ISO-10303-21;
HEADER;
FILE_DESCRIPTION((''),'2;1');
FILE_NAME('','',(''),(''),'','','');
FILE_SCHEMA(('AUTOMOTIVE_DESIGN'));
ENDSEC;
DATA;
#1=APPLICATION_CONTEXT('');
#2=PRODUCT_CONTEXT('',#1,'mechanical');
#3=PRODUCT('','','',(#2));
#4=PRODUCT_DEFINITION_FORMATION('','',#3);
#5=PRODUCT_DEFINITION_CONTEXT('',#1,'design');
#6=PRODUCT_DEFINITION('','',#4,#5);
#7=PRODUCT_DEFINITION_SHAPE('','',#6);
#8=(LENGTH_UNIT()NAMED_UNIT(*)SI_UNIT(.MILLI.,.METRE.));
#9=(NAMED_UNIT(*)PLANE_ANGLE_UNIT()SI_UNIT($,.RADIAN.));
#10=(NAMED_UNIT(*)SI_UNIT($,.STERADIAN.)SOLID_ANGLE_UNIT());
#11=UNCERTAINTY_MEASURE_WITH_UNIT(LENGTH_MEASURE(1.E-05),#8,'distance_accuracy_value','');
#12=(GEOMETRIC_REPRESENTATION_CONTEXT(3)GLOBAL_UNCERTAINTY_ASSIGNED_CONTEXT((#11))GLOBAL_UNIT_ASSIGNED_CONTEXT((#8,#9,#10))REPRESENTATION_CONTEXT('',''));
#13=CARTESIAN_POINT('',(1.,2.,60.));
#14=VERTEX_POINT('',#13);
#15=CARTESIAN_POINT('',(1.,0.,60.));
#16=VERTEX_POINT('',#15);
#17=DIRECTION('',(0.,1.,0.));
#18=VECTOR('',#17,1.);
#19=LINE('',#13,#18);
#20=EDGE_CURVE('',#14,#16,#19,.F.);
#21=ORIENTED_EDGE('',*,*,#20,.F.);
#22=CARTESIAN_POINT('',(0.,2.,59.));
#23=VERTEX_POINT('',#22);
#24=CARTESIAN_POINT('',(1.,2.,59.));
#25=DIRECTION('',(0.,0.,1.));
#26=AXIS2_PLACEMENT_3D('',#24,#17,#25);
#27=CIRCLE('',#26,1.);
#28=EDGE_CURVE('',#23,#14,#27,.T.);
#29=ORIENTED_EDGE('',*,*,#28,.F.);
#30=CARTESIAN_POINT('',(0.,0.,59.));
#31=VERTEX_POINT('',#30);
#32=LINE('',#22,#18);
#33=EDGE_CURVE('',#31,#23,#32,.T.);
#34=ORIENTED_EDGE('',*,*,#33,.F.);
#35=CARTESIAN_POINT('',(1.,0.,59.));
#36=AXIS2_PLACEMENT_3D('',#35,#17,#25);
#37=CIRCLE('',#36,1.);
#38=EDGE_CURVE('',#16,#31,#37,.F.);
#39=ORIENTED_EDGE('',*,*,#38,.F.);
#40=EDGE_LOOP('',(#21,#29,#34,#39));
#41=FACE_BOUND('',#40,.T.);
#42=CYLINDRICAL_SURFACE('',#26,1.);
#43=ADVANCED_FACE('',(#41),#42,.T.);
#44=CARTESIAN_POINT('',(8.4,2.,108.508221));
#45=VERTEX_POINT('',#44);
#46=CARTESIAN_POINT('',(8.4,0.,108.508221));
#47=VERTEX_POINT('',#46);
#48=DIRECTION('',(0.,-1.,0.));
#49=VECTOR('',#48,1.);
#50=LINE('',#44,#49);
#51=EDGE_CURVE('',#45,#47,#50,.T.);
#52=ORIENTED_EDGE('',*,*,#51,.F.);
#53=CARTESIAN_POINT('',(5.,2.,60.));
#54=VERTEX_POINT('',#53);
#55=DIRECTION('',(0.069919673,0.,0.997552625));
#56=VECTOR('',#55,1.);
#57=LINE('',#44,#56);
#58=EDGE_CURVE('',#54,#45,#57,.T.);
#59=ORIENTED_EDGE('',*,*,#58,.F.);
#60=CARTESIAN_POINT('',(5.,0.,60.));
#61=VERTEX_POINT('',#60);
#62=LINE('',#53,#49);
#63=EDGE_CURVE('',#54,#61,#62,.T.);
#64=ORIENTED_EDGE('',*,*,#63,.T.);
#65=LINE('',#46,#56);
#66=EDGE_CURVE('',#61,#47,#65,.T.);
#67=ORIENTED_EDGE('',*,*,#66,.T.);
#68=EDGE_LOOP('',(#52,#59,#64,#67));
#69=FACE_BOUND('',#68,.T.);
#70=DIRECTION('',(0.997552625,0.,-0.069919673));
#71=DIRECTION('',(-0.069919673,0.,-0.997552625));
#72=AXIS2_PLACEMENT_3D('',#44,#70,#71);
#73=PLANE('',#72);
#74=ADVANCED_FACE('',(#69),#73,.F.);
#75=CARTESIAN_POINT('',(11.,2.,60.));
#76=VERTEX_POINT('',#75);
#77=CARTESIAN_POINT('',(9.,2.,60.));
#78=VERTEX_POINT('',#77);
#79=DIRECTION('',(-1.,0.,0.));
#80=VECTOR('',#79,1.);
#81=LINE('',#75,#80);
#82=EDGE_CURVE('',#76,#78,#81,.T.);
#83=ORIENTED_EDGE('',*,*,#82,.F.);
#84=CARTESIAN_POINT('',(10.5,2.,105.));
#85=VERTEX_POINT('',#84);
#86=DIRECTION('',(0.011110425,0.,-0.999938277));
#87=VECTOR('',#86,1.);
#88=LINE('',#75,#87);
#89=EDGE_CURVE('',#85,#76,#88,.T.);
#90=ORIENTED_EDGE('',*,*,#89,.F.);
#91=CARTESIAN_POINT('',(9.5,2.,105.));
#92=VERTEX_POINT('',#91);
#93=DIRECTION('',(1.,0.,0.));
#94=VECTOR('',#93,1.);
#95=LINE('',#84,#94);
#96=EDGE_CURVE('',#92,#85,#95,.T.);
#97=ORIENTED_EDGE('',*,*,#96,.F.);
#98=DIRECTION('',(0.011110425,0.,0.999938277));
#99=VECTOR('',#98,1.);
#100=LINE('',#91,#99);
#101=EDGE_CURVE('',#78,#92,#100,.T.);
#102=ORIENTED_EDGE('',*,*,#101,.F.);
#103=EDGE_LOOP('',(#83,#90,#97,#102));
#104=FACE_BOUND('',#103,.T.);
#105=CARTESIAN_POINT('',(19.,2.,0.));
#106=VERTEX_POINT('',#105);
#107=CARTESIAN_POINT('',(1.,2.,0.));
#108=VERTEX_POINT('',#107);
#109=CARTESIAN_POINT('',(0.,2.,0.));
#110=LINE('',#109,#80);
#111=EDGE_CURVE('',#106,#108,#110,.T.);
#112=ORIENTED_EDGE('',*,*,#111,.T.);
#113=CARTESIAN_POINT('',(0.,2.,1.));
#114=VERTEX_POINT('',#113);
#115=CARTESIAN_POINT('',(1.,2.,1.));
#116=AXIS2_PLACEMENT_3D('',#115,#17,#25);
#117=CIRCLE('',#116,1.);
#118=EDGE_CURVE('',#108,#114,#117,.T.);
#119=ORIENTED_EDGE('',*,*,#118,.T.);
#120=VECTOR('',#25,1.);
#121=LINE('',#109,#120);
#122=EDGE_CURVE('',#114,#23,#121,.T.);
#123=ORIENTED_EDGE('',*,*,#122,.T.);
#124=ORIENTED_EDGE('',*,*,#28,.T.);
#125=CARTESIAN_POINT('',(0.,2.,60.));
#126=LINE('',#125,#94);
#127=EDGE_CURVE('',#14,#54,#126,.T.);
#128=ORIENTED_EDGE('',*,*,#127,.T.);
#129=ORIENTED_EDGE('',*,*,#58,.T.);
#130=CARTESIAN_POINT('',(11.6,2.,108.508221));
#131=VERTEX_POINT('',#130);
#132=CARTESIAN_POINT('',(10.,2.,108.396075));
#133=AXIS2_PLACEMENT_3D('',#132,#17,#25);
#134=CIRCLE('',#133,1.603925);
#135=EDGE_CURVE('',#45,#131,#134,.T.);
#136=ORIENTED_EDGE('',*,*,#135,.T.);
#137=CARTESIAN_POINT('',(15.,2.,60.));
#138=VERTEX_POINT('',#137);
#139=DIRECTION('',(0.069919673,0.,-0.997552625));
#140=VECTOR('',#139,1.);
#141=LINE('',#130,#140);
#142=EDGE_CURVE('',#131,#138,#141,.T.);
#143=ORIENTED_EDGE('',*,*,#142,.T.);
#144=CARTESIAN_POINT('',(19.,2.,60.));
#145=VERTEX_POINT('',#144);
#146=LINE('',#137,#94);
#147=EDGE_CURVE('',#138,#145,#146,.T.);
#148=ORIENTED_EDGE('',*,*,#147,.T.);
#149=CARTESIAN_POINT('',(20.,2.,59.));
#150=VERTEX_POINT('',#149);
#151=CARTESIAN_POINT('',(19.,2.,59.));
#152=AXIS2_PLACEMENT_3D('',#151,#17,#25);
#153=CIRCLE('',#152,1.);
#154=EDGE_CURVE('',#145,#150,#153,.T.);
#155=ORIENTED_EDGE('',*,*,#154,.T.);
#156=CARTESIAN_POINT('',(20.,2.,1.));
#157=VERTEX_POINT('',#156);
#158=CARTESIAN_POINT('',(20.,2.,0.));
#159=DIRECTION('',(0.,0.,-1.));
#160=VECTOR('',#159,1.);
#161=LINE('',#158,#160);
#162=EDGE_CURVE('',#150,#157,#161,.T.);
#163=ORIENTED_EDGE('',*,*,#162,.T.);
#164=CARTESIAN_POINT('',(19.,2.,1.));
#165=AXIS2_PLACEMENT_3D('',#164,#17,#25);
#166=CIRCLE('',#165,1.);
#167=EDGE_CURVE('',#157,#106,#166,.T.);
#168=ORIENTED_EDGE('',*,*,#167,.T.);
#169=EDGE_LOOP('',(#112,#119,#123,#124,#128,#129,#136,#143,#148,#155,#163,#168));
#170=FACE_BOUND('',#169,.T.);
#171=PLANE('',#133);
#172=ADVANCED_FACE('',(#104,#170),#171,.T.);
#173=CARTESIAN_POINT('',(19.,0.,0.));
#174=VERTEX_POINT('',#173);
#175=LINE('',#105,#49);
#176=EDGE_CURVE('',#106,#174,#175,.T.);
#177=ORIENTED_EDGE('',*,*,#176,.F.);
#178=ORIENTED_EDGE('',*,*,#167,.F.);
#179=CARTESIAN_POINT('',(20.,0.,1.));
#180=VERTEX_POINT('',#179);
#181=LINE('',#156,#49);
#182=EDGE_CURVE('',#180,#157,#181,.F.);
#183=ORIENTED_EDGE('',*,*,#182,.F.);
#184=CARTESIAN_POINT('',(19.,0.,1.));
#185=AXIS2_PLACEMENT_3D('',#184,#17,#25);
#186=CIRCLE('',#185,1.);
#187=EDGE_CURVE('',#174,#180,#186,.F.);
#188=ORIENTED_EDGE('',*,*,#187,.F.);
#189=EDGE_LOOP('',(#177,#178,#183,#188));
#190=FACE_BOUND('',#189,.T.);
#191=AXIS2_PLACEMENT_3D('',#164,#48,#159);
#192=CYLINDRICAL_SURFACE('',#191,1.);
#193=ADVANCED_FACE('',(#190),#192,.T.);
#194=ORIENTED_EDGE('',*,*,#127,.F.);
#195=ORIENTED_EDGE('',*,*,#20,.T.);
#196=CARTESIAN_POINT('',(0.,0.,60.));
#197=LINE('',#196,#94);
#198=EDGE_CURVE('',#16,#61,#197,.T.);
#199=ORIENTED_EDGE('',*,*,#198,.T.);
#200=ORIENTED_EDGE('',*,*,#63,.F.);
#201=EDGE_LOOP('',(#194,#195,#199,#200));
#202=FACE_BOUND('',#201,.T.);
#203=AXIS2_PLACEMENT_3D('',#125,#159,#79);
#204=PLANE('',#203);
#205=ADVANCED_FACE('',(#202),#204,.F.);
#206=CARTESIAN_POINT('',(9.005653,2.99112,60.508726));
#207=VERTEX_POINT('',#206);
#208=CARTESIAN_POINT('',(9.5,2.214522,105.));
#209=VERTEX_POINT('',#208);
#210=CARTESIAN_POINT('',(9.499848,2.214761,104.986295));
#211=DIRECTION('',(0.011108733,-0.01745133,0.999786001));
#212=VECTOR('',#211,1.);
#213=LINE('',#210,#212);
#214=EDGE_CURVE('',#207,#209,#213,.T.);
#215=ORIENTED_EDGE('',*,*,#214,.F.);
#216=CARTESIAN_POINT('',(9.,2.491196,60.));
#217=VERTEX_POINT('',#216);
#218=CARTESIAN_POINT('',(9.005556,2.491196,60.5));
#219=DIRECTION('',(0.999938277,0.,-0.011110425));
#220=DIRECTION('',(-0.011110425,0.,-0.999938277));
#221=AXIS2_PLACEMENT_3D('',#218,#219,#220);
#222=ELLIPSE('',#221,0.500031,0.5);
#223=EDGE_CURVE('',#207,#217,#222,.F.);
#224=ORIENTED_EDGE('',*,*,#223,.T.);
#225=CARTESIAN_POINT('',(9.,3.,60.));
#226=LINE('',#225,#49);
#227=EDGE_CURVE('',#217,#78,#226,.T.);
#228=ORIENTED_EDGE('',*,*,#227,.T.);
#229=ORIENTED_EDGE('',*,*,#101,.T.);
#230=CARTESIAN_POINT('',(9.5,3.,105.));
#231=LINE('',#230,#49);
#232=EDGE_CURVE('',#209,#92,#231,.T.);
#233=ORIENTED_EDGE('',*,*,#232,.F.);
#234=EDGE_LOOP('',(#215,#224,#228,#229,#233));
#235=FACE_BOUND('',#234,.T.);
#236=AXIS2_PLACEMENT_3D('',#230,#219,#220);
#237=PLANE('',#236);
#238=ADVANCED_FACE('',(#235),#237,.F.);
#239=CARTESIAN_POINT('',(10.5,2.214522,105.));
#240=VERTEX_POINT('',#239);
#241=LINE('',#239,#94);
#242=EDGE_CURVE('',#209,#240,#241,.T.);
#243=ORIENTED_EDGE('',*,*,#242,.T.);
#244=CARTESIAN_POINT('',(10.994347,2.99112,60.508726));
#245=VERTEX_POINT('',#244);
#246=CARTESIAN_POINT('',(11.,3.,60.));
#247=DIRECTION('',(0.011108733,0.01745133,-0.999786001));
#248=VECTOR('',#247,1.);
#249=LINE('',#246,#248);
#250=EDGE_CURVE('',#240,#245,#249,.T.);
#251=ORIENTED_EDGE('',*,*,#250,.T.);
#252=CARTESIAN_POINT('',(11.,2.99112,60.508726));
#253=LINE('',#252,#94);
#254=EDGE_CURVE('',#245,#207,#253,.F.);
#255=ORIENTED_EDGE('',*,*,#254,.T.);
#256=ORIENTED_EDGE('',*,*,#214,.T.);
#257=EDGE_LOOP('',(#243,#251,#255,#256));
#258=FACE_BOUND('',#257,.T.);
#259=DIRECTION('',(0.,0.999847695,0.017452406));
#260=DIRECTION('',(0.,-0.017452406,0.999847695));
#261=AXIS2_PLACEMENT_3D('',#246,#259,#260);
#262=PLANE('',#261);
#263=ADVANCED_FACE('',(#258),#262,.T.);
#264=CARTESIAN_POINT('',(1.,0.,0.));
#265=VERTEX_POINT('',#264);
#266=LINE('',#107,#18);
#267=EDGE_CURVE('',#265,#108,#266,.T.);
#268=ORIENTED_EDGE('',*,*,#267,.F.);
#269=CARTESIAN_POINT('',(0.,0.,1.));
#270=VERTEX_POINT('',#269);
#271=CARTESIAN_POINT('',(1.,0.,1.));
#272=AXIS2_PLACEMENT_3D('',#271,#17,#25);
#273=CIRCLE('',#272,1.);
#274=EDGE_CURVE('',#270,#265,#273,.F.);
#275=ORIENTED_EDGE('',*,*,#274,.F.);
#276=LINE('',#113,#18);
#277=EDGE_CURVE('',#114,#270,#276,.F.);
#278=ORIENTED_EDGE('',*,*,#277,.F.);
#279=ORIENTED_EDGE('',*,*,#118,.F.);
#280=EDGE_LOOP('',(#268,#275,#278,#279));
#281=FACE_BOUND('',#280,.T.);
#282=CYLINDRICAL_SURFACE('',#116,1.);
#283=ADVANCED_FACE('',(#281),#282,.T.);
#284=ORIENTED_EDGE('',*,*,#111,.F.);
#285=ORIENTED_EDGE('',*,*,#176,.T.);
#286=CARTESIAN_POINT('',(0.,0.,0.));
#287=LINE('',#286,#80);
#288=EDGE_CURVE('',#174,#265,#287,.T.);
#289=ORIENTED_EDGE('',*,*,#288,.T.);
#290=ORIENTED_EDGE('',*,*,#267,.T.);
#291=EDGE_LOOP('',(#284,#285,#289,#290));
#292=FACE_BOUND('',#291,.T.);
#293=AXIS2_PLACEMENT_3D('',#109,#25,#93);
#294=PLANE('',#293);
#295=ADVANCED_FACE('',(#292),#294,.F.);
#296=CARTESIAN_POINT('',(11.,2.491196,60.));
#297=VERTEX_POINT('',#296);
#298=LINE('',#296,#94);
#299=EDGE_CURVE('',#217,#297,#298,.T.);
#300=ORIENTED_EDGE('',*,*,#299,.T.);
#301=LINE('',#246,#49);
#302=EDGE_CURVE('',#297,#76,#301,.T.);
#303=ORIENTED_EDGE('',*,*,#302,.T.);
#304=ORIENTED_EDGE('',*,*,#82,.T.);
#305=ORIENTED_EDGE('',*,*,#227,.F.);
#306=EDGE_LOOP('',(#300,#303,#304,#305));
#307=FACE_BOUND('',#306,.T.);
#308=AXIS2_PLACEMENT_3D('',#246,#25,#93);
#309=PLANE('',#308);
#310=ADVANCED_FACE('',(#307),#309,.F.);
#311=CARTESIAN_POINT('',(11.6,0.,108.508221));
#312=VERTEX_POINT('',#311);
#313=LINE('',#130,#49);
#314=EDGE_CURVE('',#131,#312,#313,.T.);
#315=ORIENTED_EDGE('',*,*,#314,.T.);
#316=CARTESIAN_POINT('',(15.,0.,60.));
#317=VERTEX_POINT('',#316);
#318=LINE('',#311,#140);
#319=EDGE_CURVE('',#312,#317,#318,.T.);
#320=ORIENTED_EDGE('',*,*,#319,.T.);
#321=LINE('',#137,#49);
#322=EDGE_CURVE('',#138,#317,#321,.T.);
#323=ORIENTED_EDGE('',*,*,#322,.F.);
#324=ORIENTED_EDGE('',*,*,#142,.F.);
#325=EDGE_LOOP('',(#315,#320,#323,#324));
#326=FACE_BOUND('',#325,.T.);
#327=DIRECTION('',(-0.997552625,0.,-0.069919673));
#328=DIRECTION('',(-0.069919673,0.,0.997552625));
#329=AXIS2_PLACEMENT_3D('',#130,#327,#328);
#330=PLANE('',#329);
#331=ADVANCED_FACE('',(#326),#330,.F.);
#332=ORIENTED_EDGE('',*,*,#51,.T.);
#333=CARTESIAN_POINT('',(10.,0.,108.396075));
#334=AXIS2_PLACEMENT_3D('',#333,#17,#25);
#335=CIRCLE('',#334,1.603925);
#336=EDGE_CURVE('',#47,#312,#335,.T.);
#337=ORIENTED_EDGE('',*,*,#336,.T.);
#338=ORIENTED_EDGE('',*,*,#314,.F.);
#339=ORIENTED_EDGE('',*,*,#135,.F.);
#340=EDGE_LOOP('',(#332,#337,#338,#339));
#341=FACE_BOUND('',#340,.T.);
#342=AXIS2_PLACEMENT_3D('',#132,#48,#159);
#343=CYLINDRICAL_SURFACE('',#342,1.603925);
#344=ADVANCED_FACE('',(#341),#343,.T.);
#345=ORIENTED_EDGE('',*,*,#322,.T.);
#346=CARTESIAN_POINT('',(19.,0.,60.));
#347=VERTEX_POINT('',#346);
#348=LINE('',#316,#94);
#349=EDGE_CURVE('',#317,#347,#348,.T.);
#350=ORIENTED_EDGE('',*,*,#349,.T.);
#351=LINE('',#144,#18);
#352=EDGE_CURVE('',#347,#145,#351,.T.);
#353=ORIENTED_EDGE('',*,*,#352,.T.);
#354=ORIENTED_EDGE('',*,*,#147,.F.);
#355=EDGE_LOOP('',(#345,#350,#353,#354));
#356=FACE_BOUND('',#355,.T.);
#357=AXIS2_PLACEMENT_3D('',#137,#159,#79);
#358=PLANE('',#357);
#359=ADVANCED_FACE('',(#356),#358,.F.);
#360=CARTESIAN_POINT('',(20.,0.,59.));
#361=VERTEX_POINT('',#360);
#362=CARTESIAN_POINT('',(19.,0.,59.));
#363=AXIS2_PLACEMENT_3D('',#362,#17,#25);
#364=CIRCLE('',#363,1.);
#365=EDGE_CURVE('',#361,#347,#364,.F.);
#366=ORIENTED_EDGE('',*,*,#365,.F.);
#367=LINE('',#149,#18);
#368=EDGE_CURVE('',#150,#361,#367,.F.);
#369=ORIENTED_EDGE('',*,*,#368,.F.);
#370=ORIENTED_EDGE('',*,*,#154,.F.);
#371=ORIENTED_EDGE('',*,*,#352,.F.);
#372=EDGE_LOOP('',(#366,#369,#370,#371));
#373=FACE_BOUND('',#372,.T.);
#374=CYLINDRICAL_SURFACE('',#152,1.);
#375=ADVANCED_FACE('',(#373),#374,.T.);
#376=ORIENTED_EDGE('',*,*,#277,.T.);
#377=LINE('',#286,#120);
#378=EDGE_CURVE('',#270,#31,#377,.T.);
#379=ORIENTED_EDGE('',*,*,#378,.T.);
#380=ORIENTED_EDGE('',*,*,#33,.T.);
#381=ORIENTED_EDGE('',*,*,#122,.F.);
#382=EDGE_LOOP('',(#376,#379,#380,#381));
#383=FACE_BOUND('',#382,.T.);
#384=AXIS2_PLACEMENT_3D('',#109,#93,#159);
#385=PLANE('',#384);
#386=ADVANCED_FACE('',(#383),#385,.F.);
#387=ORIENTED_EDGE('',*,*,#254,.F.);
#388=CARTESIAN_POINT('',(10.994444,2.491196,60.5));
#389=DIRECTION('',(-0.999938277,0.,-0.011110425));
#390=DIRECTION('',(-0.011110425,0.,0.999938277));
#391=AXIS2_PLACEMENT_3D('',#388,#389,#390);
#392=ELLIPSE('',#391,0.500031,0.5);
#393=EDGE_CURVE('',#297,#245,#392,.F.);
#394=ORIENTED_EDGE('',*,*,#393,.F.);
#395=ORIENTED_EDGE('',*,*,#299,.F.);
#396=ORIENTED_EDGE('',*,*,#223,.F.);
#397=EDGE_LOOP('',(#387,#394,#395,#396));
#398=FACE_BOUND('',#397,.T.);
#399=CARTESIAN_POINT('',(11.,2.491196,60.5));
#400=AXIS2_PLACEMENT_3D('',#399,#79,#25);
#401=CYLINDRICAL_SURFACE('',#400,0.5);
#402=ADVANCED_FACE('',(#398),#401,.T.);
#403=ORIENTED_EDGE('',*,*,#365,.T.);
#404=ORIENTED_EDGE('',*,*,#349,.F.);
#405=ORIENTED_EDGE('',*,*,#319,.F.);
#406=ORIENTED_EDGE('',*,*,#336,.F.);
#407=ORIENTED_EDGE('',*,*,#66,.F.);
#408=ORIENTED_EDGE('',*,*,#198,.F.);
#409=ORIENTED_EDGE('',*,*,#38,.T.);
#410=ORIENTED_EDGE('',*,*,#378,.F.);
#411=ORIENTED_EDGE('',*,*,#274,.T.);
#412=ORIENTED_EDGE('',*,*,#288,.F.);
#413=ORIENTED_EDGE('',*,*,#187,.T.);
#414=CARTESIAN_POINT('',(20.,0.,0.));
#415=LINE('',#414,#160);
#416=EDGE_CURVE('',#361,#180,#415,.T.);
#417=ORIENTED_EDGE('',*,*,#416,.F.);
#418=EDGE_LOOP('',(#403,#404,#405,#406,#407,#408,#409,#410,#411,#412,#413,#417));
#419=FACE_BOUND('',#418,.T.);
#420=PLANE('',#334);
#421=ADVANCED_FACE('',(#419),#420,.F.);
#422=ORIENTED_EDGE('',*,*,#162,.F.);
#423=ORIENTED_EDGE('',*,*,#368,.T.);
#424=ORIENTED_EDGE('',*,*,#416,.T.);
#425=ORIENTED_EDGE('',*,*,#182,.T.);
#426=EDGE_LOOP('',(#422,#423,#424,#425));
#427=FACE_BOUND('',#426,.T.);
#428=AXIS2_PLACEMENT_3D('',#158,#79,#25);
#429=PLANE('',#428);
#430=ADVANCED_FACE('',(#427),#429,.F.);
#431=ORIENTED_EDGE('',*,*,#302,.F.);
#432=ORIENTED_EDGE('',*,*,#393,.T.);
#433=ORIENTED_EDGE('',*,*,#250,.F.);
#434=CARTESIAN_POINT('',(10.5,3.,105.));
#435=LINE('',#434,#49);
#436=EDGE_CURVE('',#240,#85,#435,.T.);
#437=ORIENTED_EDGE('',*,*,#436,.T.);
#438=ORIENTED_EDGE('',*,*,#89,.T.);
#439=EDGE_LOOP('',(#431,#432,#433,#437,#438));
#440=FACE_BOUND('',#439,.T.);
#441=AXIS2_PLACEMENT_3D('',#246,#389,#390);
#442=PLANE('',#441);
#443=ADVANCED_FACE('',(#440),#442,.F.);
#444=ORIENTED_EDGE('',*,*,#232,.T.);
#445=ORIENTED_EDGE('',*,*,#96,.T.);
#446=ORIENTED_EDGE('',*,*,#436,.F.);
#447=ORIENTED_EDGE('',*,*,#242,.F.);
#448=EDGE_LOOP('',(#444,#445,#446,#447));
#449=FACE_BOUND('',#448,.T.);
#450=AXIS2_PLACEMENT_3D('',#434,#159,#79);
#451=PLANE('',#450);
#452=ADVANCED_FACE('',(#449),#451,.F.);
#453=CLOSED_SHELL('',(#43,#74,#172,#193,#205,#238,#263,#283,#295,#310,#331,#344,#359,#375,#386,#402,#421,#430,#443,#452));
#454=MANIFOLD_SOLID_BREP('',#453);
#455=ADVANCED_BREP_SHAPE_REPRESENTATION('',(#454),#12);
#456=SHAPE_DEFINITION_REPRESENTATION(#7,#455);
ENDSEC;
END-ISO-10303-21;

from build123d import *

# Parameters (mm, degrees)
BOSS_EXTRUDE1_DEPTH = 2
FILLET2_R           = 1
FILLET3_R           = 1
FILLET4_R           = 1
FILLET5_R           = 1
BOSS_EXTRUDE2_DEPTH = 1
DRAFT1_ANGLE        = -1
FILLET7_R           = 0.5


with BuildPart() as part:
    # Sketch1 → Boss-Extrude1 (new body)
    with BuildSketch(Plane(origin=(0, 0, 0), x_dir=(1, 0, 0), z_dir=(0, 1, 0))):
        with BuildLine():
            Line((0, 0), (20, 0))
            Line((20, 0), (20, -60))
            Line((20, -60), (15, -60))
            Line((15, -60), (11.6, -108.508220533))
            ThreePointArc((11.6, -108.508220533), (10, -110), (8.4, -108.508220533))
            Line((8.4, -108.508220533), (5, -60))
            Line((5, -60), (0, -60))
            Line((0, -60), (0, 0))
        make_face()
    extrude(amount=BOSS_EXTRUDE1_DEPTH)

    # Fillet2
    fillet2_edges = [part.edges().sort_by_distance(p)[0] for p in [
        (0, 1, 0),
    ]]
    fillet(fillet2_edges, radius=FILLET2_R)

    # Fillet3
    fillet3_edges = [part.edges().sort_by_distance(p)[0] for p in [
        (20, 1, 60),
    ]]
    fillet(fillet3_edges, radius=FILLET3_R)

    # Fillet4
    fillet4_edges = [part.edges().sort_by_distance(p)[0] for p in [
        (20, 1, 0),
    ]]
    fillet(fillet4_edges, radius=FILLET4_R)

    # Fillet5
    fillet5_edges = [part.edges().sort_by_distance(p)[0] for p in [
        (0, 1, 60),
    ]]
    fillet(fillet5_edges, radius=FILLET5_R)

    # Sketch5 → Boss-Extrude2 (add)
    with BuildSketch(Plane(origin=(0, 2, 0), x_dir=(1, 0, 0), z_dir=(0, 1, 0))):
        Polygon((11, -60), (9, -60), (9.5, -105), (10.5, -105), align=None)
    extrude(amount=BOSS_EXTRUDE2_DEPTH)

    # Draft1
    draft1_faces = [part.faces().sort_by_distance(p)[0] for p in [
        (10, 3, 80),
    ]]
    draft(draft1_faces, Plane(origin=(11, 3, 60), x_dir=(-1, 0, 0), z_dir=(0, 0, -1)), DRAFT1_ANGLE)

    # Fillet7
    fillet7_edges = [part.edges().sort_by_distance(p)[0] for p in [
        (10, 3, 60),
    ]]
    fillet(fillet7_edges, radius=FILLET7_R)


solid = part.part
